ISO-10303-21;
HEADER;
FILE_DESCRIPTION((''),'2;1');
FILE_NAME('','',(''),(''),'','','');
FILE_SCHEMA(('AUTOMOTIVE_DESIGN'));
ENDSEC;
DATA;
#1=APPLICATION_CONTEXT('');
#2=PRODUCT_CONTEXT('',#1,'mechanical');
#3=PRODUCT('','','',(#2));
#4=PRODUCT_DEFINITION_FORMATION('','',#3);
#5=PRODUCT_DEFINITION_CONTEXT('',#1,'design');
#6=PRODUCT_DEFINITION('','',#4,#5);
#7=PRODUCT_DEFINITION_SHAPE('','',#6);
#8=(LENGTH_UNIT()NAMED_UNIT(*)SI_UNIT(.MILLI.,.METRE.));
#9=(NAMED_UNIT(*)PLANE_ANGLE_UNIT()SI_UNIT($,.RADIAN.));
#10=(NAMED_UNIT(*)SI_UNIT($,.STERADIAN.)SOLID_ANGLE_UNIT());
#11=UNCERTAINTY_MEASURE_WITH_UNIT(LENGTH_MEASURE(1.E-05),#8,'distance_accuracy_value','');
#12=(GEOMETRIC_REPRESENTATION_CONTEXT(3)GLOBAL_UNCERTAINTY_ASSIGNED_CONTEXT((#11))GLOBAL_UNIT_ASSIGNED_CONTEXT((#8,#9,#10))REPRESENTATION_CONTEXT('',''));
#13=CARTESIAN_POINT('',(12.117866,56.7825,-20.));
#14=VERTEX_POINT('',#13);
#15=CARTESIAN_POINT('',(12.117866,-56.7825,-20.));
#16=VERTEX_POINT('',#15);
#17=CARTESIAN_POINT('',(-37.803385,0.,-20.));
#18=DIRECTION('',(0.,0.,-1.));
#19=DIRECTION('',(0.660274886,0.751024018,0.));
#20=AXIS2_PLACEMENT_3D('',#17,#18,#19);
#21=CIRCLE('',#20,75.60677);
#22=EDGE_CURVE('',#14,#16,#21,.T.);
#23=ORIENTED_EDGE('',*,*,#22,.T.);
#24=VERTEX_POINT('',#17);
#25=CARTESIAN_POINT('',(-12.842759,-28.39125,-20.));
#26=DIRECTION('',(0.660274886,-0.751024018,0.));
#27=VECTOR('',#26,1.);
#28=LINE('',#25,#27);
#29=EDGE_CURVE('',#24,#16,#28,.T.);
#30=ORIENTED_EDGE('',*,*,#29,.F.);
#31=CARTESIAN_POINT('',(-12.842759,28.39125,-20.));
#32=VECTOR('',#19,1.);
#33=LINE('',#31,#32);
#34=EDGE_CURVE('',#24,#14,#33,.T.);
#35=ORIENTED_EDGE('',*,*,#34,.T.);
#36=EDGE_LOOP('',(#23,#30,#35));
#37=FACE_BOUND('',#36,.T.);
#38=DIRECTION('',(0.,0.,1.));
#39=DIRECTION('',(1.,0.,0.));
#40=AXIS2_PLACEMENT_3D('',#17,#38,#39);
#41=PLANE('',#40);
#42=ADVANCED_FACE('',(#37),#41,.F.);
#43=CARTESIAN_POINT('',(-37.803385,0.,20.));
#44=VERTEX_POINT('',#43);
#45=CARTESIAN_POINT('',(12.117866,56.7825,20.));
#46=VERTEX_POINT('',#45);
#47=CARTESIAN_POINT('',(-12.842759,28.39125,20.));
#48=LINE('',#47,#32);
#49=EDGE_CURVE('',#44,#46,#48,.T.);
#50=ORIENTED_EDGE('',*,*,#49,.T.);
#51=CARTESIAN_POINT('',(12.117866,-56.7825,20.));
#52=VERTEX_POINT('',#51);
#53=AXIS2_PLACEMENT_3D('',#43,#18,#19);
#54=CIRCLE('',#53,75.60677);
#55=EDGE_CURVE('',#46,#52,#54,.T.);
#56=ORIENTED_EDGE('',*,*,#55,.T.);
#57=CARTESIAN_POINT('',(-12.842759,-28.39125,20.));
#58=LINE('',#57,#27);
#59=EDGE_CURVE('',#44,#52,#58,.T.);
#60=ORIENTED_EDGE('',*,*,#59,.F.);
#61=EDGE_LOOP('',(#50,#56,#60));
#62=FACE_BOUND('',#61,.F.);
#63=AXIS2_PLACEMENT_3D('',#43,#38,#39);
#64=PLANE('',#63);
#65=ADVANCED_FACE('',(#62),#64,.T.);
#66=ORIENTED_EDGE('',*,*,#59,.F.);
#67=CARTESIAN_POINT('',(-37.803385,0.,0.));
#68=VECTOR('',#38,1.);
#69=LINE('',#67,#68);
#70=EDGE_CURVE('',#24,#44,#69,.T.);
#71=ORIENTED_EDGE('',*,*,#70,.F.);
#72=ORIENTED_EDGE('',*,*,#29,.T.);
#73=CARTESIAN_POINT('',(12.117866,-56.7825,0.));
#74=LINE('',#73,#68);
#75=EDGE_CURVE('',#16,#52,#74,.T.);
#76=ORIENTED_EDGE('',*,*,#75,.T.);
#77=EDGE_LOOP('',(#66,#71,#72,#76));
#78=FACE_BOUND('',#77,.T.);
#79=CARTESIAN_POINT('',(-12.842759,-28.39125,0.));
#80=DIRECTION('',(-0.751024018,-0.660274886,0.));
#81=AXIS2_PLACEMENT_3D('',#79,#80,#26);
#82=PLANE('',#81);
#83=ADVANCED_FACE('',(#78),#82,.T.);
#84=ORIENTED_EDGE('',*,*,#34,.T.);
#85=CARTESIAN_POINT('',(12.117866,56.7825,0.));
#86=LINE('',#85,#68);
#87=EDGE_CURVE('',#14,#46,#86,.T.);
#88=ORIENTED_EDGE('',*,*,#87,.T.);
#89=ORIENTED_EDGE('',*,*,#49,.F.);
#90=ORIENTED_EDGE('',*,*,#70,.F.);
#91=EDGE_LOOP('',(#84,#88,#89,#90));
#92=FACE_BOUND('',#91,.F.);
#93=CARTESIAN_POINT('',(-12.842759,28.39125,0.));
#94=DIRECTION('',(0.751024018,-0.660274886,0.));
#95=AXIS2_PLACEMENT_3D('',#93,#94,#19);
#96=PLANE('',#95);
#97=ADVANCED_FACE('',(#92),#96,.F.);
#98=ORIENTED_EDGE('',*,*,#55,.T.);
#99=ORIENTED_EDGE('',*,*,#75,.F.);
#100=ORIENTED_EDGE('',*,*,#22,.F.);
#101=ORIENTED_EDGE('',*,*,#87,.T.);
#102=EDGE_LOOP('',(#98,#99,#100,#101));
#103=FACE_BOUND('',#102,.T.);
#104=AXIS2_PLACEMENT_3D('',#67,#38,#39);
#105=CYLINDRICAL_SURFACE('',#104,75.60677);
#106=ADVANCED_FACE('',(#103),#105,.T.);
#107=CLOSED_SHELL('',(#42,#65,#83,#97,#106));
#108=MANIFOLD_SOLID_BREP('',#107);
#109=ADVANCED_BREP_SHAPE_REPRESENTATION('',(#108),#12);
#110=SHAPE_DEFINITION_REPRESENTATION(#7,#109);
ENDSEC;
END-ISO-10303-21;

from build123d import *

# Parameters (mm, degrees)
F0_W     = 75.60677
F0_H     = 40
F1_ANGLE = 97.358319


with BuildPart() as f1:
    # F0 (on Front) → F1 (revolve, symmetric)
    with BuildSketch(Plane.XZ) as f1_sk:
        Rectangle(F0_W, F0_H)
    revolve(axis=Axis((-37.803385, 0, 0), (0, 0, -1)), revolution_arc=F1_ANGLE / 2)
    revolve(f1_sk.sketch, axis=Axis((-37.803385, 0, 0), (0, 0, 1)), revolution_arc=F1_ANGLE / 2)


solid = f1.part
